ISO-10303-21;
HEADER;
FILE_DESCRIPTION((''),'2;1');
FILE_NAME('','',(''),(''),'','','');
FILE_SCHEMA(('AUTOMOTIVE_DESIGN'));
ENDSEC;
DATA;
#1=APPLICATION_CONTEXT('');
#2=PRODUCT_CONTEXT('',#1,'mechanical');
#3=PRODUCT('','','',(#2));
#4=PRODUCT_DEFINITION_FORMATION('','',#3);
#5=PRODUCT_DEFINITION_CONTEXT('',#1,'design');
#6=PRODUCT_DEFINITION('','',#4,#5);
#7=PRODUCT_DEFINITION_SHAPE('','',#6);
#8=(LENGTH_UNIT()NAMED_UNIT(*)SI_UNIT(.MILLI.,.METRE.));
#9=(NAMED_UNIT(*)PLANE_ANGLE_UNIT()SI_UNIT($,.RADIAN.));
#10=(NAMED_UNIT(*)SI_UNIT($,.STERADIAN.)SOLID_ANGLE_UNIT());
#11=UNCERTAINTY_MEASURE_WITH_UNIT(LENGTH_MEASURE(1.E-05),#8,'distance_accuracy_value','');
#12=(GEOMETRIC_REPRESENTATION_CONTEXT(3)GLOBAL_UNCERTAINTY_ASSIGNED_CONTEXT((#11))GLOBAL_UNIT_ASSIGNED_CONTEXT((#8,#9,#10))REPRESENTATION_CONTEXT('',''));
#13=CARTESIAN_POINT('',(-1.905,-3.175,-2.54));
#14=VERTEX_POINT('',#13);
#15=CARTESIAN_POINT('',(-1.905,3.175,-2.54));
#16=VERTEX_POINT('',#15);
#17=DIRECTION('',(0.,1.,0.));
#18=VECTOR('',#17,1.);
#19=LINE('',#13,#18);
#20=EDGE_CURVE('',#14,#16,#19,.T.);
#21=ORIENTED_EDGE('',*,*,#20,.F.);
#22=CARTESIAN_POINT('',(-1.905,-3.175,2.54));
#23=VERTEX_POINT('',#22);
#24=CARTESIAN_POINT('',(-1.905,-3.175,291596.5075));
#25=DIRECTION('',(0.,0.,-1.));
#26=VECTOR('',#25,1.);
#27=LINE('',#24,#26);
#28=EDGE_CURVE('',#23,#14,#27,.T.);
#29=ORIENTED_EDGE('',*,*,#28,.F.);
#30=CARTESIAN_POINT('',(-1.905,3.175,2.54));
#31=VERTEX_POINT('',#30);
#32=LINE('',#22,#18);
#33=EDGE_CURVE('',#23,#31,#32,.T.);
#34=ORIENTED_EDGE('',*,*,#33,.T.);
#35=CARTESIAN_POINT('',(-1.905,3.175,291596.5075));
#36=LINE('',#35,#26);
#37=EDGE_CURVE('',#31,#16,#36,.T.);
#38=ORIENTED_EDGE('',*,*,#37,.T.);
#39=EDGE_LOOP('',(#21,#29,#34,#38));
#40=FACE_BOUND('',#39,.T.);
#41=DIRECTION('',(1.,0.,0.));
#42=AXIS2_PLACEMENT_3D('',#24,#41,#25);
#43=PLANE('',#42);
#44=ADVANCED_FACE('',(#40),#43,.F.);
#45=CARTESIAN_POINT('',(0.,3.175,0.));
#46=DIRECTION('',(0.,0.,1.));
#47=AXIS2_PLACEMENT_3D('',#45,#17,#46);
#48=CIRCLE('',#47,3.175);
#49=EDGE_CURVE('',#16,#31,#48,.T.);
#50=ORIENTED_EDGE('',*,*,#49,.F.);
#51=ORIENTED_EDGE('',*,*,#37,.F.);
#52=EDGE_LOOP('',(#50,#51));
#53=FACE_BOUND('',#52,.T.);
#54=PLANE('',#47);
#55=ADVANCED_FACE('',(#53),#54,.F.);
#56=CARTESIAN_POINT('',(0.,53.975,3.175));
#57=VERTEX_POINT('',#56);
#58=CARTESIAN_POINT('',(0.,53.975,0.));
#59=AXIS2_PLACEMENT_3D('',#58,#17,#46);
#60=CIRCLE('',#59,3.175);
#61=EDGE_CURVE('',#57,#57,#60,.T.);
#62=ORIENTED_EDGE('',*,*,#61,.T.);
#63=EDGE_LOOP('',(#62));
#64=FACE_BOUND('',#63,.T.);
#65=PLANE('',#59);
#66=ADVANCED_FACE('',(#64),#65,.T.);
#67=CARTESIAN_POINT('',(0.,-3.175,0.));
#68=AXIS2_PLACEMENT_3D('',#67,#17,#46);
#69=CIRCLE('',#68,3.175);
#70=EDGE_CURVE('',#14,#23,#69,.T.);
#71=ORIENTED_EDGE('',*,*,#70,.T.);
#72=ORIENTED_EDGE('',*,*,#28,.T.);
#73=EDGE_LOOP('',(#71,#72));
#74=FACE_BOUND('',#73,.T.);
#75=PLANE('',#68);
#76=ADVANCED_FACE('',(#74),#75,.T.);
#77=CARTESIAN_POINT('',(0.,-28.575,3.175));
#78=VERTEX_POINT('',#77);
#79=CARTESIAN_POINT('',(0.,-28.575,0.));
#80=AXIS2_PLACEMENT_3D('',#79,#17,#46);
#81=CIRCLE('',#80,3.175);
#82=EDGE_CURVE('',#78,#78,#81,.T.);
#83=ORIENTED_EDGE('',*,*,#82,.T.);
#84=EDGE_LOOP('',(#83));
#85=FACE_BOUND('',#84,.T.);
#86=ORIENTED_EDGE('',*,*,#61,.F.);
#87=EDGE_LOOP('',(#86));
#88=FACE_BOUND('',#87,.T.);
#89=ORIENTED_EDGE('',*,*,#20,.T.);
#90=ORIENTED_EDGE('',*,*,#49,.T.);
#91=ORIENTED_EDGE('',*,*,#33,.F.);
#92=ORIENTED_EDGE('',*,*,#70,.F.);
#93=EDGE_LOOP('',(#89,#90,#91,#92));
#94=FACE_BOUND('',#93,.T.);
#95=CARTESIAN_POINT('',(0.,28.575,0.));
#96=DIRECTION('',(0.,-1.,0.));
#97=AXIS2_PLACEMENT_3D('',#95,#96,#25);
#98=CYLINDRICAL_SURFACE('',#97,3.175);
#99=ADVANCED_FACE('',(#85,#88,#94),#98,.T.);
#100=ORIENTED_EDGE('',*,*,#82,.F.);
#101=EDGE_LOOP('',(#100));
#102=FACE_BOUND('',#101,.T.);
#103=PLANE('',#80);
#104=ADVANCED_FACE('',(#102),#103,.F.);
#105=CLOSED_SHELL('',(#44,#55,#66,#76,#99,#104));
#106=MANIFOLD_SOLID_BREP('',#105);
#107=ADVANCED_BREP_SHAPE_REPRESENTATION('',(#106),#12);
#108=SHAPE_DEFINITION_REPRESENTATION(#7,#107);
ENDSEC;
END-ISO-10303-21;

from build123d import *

# Parameters (mm, degrees)
SKETCH1_R           = 3.175
BOSS_EXTRUDE1_DEPTH = 28.575
CUT_EXTRUDE1_START  = -28.575
CUT_EXTRUDE1_DEPTH  = 3.175
BOSS_EXTRUDE2_START = 25.4
SKETCH3_R           = 3.175
BOSS_EXTRUDE2_DEPTH = 25.4


with BuildPart() as part:
    # Sketch1 → Boss-Extrude1 (new, symmetric)
    with BuildSketch(Plane(origin=(0, 0, 0), x_dir=(1, 0, 0), z_dir=(0, 1, 0))):
        with Locations(Location((0, 0, 0), (0, 0, 270))):
            Circle(SKETCH1_R)
    extrude(amount=BOSS_EXTRUDE1_DEPTH, both=True)

    # Sketch2 → Cut-Extrude1 (cut, symmetric)
    with BuildSketch(Plane(origin=(0, 28.575, 0), x_dir=(1, 0, 0), z_dir=(0, 1, 0)).offset(CUT_EXTRUDE1_START)):
        with BuildLine():
            Line((-1.905, 2.54), (-1.905, -2.54))
            ThreePointArc((-1.905, -2.54), (-3.175, 0), (-1.905, 2.54))
        make_face()
    extrude(amount=CUT_EXTRUDE1_DEPTH, both=True, mode=Mode.SUBTRACT)

    # Sketch3 → Boss-Extrude2 (add)
    with BuildSketch(Plane(origin=(0, 28.575, 0), x_dir=(1, 0, 0), z_dir=(0, 1, 0)).offset(BOSS_EXTRUDE2_START)):
        with Locations(Location((0, 0, 0), (0, 0, 270))):
            Circle(SKETCH3_R)
    extrude(amount=-BOSS_EXTRUDE2_DEPTH)


solid = part.part
